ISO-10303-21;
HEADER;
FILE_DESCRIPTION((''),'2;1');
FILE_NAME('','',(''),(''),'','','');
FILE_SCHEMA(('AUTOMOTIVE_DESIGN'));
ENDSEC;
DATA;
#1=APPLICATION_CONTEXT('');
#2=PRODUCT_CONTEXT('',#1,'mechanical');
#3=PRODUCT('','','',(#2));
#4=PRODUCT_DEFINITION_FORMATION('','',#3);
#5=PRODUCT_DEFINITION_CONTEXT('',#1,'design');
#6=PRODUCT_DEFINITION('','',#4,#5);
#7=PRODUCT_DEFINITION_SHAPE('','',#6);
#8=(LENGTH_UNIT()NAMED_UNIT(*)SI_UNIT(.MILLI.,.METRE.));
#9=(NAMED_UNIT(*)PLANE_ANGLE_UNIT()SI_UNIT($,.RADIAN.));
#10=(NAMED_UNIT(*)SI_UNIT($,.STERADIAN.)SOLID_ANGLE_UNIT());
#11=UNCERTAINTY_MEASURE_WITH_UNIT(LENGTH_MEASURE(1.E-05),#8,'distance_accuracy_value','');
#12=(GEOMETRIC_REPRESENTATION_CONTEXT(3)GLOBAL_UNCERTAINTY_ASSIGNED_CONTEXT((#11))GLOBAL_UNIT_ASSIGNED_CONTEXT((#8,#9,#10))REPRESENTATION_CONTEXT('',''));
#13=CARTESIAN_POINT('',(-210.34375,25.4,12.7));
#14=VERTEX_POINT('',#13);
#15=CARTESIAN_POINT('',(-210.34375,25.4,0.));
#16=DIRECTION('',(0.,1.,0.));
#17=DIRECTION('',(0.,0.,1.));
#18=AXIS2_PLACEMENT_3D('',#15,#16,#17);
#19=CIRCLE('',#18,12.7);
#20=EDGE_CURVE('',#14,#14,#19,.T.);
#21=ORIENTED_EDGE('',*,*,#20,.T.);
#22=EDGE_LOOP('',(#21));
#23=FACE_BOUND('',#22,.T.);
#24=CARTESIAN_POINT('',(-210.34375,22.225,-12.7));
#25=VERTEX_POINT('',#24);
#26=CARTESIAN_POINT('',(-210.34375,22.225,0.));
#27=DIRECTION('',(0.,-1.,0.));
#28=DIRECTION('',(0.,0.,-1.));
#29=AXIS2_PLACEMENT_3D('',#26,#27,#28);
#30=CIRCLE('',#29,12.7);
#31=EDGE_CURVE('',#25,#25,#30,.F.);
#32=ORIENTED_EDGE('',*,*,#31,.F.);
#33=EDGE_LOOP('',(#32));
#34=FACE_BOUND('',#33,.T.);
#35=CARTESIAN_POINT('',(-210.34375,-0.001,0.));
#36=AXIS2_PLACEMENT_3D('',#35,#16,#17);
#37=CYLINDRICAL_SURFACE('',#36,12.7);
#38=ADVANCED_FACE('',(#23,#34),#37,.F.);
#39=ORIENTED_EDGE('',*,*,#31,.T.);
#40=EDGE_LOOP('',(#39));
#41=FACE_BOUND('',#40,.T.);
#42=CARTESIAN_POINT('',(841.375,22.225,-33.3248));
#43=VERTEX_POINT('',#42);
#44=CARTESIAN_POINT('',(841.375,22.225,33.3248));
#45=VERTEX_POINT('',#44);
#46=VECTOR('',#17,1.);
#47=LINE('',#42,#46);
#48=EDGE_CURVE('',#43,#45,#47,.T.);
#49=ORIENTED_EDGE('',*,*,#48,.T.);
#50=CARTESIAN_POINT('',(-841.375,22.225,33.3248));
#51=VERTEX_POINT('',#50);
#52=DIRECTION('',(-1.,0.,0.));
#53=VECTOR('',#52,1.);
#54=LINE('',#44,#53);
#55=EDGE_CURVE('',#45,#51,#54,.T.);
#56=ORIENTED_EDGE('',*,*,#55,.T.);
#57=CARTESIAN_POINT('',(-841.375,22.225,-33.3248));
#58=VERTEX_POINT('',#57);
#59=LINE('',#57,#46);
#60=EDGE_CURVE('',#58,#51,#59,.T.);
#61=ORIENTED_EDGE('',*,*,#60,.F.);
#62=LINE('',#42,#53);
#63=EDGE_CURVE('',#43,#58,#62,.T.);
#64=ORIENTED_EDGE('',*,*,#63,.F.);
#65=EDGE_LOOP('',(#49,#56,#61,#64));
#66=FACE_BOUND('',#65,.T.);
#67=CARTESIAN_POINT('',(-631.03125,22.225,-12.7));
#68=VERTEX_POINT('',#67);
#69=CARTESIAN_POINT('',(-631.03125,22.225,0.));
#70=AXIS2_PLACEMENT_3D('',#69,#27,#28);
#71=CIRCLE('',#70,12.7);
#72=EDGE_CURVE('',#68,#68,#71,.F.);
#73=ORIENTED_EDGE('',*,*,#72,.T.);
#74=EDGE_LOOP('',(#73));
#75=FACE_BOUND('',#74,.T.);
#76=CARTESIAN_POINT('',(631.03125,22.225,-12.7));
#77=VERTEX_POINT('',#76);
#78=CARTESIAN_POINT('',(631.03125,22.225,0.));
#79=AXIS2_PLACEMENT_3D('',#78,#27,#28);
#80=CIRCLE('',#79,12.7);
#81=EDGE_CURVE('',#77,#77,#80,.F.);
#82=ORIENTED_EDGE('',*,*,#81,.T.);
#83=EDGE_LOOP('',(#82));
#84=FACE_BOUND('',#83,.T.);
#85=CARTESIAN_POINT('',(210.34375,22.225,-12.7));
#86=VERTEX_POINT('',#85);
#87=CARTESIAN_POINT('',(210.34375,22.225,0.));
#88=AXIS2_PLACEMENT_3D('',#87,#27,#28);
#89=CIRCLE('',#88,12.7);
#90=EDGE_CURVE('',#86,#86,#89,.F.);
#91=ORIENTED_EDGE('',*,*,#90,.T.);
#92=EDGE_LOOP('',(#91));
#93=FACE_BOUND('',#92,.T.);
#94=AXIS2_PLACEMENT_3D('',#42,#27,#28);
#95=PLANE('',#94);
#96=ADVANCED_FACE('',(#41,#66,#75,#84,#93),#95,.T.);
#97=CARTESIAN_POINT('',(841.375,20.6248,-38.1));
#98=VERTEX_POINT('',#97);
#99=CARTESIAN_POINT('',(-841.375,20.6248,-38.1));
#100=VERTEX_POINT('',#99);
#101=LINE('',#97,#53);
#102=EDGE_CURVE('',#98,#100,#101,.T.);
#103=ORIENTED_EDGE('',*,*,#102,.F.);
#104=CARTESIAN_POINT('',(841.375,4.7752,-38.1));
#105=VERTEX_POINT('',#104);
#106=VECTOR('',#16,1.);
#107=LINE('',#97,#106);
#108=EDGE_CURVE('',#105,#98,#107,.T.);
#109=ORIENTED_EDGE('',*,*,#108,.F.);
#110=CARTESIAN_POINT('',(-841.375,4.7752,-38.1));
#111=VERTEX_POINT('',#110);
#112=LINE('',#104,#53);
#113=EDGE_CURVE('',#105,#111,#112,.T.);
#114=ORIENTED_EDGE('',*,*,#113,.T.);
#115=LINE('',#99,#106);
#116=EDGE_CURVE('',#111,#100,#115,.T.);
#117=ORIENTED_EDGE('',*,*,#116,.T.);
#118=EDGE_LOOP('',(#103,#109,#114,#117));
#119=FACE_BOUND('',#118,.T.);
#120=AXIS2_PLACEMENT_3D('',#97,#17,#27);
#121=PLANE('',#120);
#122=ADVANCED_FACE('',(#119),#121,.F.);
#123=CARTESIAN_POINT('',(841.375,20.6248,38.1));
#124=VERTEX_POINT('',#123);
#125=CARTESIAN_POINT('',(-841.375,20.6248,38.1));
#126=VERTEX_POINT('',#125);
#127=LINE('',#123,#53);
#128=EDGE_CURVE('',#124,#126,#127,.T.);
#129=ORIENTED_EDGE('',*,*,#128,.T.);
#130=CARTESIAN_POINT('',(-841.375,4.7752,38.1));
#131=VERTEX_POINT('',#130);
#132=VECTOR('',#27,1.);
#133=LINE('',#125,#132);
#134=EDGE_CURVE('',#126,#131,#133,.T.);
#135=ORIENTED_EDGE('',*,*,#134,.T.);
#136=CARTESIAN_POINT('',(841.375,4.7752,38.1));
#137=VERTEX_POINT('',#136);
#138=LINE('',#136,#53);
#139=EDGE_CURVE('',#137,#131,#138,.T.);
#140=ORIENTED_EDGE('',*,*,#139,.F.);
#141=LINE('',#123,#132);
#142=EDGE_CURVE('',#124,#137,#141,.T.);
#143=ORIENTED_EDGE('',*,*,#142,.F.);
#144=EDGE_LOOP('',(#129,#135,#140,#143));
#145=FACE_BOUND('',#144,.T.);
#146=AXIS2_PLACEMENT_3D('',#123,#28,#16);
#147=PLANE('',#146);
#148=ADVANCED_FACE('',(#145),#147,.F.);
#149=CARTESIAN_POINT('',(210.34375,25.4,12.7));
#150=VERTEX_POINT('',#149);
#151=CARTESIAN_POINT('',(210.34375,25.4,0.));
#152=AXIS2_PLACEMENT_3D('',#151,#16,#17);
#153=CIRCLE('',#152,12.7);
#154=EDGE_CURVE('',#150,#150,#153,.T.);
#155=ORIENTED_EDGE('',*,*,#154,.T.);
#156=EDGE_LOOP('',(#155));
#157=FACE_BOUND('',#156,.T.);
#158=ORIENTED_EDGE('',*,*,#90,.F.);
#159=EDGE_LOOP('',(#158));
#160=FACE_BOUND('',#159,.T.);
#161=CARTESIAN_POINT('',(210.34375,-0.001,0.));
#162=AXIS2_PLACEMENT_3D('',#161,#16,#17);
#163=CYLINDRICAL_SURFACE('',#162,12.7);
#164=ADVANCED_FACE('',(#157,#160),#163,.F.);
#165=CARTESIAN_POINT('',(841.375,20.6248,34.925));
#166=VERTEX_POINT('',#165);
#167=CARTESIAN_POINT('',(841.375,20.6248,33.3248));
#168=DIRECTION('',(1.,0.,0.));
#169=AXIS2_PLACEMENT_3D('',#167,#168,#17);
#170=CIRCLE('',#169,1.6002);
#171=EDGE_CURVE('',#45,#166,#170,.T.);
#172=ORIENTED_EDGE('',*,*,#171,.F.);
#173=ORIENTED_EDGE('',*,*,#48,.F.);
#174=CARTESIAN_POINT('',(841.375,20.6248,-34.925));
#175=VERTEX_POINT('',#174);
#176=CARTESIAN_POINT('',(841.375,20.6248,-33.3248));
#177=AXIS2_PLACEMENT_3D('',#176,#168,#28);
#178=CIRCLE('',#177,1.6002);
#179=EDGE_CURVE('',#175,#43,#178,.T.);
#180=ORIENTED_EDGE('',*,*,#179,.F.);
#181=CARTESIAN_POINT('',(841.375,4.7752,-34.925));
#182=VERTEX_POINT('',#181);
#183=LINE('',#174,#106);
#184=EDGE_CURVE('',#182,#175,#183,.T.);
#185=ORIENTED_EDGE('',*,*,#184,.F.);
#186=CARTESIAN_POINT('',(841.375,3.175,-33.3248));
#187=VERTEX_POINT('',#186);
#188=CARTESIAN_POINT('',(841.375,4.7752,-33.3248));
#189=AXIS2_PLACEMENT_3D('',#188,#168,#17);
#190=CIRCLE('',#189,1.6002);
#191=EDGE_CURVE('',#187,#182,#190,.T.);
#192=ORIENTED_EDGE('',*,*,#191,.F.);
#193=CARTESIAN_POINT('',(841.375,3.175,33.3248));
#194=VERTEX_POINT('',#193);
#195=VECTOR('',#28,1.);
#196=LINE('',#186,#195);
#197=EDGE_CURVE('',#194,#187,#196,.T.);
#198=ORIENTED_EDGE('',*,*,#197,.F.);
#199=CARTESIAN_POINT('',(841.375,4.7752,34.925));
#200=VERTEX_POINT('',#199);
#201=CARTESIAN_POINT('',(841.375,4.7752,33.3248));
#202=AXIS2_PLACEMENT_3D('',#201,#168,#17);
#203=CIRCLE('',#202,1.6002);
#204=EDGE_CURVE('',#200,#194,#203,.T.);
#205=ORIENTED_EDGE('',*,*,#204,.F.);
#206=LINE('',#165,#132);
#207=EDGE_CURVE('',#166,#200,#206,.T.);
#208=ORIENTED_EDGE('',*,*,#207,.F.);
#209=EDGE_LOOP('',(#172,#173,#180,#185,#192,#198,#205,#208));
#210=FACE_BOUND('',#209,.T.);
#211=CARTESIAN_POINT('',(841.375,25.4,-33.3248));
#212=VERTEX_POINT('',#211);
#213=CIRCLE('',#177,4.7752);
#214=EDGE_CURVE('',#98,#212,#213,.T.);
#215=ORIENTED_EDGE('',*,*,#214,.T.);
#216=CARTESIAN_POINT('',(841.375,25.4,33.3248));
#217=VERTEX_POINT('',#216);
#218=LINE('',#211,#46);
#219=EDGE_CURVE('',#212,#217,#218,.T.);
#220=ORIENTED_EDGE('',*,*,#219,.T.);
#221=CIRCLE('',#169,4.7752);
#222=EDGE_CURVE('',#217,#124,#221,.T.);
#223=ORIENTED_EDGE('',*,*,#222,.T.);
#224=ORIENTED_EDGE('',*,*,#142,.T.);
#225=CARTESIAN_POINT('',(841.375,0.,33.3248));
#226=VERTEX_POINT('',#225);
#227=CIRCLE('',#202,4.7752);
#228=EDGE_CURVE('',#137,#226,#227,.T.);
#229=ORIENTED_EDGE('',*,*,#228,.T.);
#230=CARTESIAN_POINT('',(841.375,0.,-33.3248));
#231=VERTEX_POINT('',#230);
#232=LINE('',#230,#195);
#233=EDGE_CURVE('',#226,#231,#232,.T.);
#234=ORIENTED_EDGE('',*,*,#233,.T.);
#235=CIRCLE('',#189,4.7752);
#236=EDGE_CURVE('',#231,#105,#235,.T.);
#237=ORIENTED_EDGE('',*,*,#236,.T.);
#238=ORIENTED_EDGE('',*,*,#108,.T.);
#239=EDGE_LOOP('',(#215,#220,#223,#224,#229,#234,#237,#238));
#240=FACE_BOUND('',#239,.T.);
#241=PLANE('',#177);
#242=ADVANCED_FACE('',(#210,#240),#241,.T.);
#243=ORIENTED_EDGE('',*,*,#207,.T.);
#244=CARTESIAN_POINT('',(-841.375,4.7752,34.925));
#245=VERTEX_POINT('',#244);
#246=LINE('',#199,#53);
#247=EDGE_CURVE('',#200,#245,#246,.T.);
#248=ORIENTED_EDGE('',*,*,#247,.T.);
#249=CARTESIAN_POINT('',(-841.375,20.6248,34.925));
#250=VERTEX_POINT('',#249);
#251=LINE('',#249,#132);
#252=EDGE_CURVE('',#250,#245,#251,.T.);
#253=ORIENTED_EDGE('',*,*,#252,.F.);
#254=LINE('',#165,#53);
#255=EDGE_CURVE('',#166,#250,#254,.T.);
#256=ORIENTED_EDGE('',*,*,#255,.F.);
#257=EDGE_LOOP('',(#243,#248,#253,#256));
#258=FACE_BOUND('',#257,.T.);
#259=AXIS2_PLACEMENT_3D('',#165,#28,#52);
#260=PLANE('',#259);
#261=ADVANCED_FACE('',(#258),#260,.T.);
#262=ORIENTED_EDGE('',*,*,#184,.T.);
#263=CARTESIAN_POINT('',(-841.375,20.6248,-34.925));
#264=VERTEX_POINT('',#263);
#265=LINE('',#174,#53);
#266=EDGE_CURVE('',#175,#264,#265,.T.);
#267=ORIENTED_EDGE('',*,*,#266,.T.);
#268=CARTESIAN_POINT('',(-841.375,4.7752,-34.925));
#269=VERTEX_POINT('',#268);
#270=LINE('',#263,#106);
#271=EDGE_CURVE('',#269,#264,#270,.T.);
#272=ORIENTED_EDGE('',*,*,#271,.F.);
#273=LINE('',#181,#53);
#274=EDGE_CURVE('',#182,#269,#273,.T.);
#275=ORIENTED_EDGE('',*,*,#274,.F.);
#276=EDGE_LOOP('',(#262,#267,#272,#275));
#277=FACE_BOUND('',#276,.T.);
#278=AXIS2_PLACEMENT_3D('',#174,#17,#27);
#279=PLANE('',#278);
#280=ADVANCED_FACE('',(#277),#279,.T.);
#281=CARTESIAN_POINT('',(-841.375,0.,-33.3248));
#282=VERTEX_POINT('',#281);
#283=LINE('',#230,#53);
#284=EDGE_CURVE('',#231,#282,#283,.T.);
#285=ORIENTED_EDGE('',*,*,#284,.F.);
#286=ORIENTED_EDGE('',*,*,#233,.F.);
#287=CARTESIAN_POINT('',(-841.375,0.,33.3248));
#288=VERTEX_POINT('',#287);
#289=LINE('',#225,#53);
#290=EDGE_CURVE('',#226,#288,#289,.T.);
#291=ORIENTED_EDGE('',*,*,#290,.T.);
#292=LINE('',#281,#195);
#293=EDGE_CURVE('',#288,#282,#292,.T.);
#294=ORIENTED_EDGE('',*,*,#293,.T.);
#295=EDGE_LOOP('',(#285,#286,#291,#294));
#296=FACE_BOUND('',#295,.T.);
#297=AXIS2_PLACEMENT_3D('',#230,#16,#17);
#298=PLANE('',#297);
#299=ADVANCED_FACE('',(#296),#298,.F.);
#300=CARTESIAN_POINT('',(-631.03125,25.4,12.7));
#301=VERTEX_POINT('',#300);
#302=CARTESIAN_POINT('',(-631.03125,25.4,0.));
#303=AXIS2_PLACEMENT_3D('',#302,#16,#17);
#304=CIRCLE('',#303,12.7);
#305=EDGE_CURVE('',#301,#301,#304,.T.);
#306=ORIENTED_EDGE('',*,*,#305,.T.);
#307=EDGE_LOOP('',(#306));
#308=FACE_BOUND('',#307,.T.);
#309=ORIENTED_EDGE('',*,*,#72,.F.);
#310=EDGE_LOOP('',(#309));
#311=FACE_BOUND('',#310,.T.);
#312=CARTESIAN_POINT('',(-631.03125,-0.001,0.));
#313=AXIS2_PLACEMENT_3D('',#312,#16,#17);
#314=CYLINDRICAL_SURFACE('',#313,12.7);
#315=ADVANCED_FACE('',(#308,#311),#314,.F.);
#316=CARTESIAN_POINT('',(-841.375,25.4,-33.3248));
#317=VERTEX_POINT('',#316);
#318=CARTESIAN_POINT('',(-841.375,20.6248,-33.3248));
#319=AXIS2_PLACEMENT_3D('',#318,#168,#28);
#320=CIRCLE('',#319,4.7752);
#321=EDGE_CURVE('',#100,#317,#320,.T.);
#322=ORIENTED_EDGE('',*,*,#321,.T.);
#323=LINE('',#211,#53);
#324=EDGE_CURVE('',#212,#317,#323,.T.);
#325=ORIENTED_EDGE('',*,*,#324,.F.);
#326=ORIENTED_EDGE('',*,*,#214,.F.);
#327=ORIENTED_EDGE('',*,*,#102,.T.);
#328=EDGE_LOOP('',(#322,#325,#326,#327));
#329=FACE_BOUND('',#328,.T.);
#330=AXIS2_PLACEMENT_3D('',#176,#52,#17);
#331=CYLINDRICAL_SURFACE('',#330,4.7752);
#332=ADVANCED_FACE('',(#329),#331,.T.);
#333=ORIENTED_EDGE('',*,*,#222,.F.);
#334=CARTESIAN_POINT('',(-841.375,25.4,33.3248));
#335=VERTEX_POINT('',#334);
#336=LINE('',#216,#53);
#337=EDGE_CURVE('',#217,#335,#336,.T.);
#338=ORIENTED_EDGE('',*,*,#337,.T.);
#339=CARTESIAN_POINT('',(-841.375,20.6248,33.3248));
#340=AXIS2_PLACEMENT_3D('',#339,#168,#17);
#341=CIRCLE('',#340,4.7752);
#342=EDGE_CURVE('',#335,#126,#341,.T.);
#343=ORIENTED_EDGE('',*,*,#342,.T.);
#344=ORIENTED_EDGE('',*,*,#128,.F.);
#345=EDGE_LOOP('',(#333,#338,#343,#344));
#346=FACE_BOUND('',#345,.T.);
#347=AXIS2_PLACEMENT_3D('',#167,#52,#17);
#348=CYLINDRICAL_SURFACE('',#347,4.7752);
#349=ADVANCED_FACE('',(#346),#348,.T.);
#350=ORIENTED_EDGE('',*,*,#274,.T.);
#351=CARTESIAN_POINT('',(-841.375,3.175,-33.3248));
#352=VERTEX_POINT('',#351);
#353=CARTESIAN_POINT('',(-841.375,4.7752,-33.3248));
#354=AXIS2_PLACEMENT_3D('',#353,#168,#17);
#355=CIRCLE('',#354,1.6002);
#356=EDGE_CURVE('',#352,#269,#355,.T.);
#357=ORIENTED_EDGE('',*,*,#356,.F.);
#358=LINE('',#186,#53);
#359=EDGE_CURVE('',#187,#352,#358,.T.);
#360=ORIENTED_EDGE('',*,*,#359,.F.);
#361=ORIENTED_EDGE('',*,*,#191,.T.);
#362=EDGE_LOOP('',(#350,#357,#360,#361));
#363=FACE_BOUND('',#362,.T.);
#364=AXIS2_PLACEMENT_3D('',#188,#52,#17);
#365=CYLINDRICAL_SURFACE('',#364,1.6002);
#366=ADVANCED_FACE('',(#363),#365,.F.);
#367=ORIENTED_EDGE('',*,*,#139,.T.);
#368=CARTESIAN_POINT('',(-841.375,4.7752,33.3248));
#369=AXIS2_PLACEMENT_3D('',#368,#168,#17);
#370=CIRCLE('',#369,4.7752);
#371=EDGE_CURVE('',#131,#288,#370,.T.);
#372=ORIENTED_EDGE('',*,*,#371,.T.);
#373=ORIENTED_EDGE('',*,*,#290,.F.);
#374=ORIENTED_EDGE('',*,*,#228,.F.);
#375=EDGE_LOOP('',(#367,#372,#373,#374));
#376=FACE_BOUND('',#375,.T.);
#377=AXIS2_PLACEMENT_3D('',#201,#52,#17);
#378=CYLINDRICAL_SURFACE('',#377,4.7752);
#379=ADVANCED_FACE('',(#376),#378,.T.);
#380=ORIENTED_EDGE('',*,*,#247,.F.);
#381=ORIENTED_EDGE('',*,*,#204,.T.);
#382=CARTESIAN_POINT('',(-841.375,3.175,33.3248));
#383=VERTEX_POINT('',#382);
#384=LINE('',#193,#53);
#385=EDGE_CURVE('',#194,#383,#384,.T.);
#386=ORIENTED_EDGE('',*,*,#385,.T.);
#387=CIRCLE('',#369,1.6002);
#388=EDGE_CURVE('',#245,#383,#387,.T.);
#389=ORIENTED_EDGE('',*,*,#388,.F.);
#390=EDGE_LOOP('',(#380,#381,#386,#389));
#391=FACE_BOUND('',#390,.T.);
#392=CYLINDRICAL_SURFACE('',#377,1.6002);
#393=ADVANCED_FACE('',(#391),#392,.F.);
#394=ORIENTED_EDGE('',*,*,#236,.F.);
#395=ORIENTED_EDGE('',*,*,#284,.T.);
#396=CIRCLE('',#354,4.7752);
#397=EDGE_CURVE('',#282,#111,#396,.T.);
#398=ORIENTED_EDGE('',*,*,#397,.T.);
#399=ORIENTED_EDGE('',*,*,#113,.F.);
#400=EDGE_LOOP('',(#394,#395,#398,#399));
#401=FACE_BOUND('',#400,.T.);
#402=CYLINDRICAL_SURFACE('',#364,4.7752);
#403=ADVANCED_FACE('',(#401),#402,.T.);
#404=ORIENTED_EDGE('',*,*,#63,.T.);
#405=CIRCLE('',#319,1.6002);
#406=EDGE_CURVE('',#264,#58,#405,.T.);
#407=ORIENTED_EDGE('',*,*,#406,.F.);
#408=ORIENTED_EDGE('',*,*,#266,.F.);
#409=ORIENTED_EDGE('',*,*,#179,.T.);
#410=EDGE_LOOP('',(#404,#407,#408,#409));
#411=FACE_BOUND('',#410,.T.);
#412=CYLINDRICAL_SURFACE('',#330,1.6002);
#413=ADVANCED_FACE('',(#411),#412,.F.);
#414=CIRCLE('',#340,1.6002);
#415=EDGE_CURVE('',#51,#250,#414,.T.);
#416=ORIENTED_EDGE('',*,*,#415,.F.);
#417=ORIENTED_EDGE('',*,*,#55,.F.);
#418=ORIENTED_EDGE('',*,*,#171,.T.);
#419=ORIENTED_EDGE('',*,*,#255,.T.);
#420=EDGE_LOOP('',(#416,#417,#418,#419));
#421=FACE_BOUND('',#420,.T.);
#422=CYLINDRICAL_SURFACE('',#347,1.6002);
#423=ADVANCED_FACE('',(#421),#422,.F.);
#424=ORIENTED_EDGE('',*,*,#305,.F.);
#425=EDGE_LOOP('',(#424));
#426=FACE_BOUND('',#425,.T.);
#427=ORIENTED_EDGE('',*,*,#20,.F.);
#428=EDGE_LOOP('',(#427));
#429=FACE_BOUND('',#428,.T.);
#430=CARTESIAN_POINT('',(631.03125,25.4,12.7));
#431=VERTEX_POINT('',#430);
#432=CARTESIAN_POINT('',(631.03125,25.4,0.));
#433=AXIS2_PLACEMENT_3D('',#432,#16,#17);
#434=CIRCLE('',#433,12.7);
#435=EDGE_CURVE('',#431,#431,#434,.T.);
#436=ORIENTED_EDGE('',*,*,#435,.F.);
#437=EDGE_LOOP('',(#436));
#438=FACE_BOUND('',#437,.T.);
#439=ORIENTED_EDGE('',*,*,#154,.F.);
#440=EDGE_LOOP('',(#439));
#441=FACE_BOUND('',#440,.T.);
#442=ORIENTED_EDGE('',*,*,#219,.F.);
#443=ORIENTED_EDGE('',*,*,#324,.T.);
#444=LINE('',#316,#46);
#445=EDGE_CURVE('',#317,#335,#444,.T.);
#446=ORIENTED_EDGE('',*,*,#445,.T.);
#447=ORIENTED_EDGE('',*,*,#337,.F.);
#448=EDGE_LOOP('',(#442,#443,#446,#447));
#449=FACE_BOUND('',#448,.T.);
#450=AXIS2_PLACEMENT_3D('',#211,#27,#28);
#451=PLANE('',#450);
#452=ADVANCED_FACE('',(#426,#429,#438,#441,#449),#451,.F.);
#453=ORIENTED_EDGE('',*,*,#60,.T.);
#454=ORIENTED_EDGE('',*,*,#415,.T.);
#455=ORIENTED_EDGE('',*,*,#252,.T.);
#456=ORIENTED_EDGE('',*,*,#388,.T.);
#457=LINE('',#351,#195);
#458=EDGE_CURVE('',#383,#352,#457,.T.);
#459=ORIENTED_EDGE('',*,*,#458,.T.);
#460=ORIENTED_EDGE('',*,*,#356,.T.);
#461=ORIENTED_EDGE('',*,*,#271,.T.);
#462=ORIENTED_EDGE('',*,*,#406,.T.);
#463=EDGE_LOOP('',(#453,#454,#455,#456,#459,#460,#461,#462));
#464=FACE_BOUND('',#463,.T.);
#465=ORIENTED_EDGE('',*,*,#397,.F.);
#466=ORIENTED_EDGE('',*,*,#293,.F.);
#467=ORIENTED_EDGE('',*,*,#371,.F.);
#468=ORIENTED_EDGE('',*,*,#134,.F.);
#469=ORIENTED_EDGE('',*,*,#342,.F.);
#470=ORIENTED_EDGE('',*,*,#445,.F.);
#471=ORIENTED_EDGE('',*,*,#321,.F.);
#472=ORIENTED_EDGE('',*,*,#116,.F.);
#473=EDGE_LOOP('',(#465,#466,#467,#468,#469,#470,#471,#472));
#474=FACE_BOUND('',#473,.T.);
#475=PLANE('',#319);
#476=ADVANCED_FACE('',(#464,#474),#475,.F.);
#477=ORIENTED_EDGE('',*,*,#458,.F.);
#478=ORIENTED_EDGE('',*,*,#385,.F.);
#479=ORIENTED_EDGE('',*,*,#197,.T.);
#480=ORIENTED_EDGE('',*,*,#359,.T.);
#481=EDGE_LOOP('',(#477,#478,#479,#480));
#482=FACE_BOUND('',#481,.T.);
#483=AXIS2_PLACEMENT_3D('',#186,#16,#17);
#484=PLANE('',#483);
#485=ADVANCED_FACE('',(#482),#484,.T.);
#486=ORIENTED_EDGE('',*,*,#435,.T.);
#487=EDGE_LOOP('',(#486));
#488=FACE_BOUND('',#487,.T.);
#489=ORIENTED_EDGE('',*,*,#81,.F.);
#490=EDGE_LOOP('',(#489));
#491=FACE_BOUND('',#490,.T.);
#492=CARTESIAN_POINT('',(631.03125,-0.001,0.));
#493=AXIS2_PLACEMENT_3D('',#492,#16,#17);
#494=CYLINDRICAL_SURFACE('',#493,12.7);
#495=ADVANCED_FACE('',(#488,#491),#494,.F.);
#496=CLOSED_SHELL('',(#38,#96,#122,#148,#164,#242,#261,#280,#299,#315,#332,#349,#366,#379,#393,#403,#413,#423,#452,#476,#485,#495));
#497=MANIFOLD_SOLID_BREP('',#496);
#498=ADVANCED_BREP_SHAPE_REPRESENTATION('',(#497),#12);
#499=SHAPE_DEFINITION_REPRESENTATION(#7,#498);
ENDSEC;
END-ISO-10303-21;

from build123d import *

# Parameters (mm, degrees)
BOSS_EXTRUDE1_DEPTH = 841.375
SKETCH2_R           = 12.7
CUT_EXTRUDE1_DEPTH  = 3.175
LPATTERN1_COUNT     = 4
LPATTERN1_PITCH     = 420.6875


with BuildPart() as part:
    # Sketch1 → Boss-Extrude1 (new body, symmetric)
    with BuildSketch(Plane(origin=(0, 0, 0), x_dir=(0, 0, -1), z_dir=(1, 0, 0))):
        with BuildLine():
            Line((33.3248, 25.4), (-33.3248, 25.4))
            ThreePointArc((-33.3248, 25.4), (-36.701376302, 24.001376302), (-38.1, 20.6248))
            Line((-38.1, 20.6248), (-38.1, 4.7752))
            ThreePointArc((-38.1, 4.7752), (-36.701376302, 1.398623698), (-33.3248, 0))
            Line((-33.3248, 0), (33.3248, 0))
            ThreePointArc((33.3248, 0), (36.701376302, 1.398623698), (38.1, 4.7752))
            Line((38.1, 4.7752), (38.1, 20.6248))
            ThreePointArc((38.1, 20.6248), (36.701376302, 24.001376302), (33.3248, 25.4))
        make_face()
        with BuildLine():
            Line((33.3248, 22.225), (-33.3248, 22.225))
            ThreePointArc((-33.3248, 22.225), (-34.456312271, 21.756312271), (-34.925, 20.6248))
            Line((-34.925, 20.6248), (-34.925, 4.7752))
            ThreePointArc((-34.925, 4.7752), (-34.456312271, 3.643687729), (-33.3248, 3.175))
            Line((-33.3248, 3.175), (33.3248, 3.175))
            ThreePointArc((33.3248, 3.175), (34.456312271, 3.643687729), (34.925, 4.7752))
            Line((34.925, 4.7752), (34.925, 20.6248))
            ThreePointArc((34.925, 20.6248), (34.456312271, 21.756312271), (33.3248, 22.225))
        make_face(mode=Mode.SUBTRACT)
    extrude(amount=BOSS_EXTRUDE1_DEPTH, both=True)

    # Sketch2 → Cut-Extrude1 (cut)
    with BuildSketch(Plane(origin=(0, 25.4, 0), x_dir=(1, 0, 0), z_dir=(0, 1, 0))):
        with Locations((-631.03125, 0)):
            Circle(SKETCH2_R)
    cut_extrude1 = extrude(amount=-CUT_EXTRUDE1_DEPTH, mode=Mode.SUBTRACT)

    # LPattern1: Cut-Extrude1 ×4
    with Locations(*[(i * LPATTERN1_PITCH, 0, 0) for i in range(1, LPATTERN1_COUNT)]):
        add(cut_extrude1, mode=Mode.SUBTRACT)


solid = part.part
